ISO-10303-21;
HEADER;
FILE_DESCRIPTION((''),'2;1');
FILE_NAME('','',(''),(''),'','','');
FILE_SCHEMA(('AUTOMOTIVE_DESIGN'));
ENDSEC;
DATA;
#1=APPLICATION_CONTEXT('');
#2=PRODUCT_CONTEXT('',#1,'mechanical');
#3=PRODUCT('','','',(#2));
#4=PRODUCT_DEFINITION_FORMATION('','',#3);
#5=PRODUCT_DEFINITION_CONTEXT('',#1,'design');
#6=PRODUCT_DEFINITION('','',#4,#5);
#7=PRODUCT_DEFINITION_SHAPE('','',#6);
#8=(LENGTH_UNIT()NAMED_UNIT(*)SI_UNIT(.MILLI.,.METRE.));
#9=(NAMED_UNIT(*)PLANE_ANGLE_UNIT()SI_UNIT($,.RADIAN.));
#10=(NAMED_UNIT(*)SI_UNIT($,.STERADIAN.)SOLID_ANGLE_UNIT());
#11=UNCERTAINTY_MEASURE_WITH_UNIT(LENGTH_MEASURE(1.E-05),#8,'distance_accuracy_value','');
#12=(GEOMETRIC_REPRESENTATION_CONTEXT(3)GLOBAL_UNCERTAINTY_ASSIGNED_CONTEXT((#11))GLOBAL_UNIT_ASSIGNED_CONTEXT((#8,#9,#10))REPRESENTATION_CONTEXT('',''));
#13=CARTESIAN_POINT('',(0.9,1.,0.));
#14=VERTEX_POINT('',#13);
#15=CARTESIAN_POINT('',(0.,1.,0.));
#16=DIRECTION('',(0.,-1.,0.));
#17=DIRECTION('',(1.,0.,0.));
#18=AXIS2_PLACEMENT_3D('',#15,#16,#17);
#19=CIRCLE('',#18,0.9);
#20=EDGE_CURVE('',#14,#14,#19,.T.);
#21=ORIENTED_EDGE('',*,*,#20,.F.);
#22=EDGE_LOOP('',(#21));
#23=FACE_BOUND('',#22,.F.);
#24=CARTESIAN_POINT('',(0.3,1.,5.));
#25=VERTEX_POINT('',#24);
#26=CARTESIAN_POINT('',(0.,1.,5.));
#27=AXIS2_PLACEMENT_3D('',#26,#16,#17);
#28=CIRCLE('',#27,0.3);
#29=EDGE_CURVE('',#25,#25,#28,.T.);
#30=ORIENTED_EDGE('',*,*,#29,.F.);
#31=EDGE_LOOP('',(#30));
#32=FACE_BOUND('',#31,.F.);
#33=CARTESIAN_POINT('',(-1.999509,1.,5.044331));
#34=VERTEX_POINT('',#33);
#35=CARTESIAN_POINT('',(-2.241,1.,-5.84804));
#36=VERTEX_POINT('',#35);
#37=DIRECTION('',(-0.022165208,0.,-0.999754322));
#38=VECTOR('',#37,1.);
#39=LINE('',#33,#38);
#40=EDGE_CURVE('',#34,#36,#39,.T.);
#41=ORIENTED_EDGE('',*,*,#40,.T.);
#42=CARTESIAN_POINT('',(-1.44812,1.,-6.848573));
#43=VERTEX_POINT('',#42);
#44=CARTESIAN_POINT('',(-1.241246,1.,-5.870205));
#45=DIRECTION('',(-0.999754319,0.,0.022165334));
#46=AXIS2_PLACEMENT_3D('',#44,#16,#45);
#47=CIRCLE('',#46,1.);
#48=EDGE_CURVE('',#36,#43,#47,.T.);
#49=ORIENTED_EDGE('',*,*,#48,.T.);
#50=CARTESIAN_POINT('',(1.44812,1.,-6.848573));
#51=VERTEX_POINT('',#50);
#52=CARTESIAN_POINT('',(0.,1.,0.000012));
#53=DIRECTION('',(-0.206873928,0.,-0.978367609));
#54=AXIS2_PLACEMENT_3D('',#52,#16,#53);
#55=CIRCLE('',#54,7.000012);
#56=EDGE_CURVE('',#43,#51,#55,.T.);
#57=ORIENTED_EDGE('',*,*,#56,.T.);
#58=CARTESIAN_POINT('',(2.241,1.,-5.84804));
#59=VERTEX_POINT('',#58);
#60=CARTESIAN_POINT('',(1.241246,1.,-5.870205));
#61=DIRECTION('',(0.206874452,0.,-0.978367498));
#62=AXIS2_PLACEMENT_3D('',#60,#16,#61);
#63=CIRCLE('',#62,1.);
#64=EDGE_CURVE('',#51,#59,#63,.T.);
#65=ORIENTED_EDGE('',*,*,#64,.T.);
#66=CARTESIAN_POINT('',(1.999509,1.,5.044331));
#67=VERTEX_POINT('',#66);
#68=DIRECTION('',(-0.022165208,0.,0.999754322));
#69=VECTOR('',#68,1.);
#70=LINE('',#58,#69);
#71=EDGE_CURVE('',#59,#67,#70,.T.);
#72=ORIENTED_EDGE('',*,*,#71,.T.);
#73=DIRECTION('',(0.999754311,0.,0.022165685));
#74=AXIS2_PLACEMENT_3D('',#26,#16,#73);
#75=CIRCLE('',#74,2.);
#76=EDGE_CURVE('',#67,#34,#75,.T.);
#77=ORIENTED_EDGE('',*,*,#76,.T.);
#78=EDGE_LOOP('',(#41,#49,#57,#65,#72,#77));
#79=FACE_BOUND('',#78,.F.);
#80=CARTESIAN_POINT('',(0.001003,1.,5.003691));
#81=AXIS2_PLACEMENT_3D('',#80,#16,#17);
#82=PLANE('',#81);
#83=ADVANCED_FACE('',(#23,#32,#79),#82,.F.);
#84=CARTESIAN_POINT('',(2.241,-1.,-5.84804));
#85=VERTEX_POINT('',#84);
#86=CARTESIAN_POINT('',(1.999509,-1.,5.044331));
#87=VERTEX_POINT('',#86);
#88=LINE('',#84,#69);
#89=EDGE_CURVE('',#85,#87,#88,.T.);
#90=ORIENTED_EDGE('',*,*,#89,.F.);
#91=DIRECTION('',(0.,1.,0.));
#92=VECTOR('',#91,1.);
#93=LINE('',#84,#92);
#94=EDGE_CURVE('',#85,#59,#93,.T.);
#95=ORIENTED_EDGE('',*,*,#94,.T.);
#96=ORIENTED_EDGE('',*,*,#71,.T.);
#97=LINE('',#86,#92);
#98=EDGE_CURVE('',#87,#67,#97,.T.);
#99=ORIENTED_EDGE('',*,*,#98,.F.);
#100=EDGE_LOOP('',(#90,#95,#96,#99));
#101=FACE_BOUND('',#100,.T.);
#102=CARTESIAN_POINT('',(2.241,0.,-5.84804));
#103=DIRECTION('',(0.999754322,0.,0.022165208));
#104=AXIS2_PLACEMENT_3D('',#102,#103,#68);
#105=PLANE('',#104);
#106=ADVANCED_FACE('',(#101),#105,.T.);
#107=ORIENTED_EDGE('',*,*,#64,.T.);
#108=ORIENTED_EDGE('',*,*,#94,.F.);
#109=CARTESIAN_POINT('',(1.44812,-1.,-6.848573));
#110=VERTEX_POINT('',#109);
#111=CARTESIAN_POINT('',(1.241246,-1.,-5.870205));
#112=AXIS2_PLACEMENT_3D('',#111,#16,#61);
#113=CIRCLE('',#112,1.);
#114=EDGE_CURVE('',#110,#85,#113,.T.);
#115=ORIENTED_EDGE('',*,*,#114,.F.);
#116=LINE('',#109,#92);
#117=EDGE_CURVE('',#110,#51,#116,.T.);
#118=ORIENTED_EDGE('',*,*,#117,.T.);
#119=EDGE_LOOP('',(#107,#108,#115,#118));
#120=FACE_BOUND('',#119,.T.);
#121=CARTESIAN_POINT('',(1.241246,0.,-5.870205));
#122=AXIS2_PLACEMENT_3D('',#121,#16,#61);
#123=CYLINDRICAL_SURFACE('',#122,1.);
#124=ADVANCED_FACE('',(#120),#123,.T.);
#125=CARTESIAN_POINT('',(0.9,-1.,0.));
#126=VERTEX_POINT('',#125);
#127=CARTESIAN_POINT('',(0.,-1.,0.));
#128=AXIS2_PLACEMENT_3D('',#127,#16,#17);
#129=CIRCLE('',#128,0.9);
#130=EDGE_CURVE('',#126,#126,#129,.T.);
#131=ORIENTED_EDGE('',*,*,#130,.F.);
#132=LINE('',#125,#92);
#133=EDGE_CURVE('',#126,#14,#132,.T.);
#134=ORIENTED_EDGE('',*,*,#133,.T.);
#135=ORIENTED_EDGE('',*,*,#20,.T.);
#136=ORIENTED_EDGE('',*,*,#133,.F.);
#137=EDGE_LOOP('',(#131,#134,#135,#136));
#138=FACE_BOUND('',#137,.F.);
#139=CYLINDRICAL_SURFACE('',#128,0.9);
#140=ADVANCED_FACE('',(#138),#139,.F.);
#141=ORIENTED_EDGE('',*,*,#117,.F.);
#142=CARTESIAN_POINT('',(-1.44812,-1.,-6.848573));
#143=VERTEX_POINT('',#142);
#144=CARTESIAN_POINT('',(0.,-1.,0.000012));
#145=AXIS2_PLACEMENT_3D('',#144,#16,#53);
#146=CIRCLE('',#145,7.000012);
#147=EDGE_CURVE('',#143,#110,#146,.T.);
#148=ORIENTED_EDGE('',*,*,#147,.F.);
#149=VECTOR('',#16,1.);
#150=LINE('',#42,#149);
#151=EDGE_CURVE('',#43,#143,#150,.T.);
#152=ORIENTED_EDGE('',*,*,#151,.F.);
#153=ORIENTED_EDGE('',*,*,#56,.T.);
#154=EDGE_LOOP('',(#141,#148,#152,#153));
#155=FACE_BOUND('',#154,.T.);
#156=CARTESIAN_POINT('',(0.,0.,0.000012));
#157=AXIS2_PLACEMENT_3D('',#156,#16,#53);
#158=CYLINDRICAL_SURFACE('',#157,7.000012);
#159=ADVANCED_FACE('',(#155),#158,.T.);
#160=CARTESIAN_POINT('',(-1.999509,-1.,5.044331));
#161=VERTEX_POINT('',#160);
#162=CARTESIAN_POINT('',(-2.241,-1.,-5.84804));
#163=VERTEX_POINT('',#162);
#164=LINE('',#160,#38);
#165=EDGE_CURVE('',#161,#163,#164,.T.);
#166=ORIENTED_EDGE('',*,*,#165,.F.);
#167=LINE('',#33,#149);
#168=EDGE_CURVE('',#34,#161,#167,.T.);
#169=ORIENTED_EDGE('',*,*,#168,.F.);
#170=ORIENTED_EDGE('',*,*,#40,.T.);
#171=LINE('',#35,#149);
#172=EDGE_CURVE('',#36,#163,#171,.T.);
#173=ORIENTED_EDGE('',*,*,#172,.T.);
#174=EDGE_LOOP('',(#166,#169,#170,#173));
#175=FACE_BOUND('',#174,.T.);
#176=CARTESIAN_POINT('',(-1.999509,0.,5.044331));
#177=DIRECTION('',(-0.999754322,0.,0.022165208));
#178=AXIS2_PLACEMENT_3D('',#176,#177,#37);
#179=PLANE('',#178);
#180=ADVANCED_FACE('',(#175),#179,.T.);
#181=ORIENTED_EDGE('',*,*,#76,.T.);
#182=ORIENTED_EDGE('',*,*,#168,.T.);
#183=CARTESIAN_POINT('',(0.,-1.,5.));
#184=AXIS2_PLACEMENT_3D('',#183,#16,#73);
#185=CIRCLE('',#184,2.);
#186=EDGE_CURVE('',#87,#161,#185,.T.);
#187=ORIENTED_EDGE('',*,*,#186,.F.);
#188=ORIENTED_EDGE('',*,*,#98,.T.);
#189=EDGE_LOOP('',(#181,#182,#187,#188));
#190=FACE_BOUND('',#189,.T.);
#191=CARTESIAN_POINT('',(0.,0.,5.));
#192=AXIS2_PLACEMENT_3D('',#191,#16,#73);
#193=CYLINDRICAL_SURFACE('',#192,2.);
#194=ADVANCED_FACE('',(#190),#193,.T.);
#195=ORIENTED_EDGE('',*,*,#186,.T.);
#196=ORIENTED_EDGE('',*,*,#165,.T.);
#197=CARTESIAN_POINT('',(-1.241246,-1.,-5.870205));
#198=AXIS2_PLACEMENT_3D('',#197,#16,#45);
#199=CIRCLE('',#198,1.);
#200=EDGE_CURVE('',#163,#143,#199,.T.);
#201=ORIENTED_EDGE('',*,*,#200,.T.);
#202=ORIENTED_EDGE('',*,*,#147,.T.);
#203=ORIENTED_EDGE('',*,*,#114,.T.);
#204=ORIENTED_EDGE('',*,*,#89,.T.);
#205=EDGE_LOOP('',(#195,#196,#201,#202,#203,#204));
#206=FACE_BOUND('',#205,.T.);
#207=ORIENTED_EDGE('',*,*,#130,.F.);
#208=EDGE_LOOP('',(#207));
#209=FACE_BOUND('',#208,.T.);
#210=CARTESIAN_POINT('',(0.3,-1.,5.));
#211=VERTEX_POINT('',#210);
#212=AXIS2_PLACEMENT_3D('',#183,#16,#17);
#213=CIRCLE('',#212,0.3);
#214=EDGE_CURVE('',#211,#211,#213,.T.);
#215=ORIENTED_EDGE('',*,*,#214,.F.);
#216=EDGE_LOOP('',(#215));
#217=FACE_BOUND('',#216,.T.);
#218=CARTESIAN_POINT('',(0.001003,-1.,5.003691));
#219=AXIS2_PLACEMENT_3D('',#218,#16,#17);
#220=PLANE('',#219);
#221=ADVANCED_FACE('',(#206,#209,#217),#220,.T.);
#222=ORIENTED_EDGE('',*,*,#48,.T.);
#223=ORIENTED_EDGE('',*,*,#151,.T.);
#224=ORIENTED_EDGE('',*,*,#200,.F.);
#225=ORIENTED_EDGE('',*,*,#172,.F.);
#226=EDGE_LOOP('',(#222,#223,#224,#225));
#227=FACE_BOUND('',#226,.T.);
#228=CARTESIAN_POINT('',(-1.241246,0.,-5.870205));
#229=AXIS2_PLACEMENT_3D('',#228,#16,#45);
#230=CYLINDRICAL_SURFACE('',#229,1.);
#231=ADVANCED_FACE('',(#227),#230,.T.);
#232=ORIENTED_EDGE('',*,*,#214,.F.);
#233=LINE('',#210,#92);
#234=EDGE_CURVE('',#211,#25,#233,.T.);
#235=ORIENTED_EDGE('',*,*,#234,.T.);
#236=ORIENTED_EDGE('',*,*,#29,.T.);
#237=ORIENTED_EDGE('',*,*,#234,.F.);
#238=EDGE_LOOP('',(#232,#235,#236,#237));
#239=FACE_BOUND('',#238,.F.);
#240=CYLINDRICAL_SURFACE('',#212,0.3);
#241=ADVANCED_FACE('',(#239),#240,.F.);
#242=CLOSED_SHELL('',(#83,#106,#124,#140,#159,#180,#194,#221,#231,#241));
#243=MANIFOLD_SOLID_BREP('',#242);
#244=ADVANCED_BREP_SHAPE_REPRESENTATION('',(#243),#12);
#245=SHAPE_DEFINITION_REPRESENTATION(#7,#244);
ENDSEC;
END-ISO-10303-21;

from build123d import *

# Parameters (mm, degrees)
F1_DEPTH = 1
F2_R     = 0.9
F2_R_2   = 0.3
F3_DEPTH = 2.001


with BuildPart() as f1:
    # F0 (on Front) → F1 (new body, symmetric)
    with BuildSketch(Plane.XZ):
        with BuildLine():
            ThreePointArc((1.999509, 5.044331), (0, 7), (-1.999509, 5.044331))
            ThreePointArc((-1.999509, 5.044331), (-0.022167, 3.000123), (2, 5))
            ThreePointArc((2, 5), (1.999877, 5.022167), (1.999509, 5.044331))
        make_face()
        with BuildLine():
            ThreePointArc((-2.241, -5.84804), (-2.02499, -6.491289), (-1.44812, -6.848573))
            ThreePointArc((-1.44812, -6.848573), (0, -7), (1.44812, -6.848573))
            ThreePointArc((1.44812, -6.848573), (2.02499, -6.491289), (2.241, -5.84804))
            Line((2.241, -5.84804), (1.999509, 5.044331))
            ThreePointArc((1.999509, 5.044331), (1.999877, 5.022167), (2, 5))
            ThreePointArc((2, 5), (-0.022167, 3.000123), (-1.999509, 5.044331))
            Line((-1.999509, 5.044331), (-2.241, -5.84804))
        make_face()
    extrude(amount=F1_DEPTH, both=True)

    # F2 (on face) → F3 (cut, through all)
    with BuildSketch(Plane.XZ.offset(1)):
        Circle(F2_R)
        with Locations((0, 5)):
            Circle(F2_R_2)
    extrude(amount=-F3_DEPTH, mode=Mode.SUBTRACT)


solid = f1.part
